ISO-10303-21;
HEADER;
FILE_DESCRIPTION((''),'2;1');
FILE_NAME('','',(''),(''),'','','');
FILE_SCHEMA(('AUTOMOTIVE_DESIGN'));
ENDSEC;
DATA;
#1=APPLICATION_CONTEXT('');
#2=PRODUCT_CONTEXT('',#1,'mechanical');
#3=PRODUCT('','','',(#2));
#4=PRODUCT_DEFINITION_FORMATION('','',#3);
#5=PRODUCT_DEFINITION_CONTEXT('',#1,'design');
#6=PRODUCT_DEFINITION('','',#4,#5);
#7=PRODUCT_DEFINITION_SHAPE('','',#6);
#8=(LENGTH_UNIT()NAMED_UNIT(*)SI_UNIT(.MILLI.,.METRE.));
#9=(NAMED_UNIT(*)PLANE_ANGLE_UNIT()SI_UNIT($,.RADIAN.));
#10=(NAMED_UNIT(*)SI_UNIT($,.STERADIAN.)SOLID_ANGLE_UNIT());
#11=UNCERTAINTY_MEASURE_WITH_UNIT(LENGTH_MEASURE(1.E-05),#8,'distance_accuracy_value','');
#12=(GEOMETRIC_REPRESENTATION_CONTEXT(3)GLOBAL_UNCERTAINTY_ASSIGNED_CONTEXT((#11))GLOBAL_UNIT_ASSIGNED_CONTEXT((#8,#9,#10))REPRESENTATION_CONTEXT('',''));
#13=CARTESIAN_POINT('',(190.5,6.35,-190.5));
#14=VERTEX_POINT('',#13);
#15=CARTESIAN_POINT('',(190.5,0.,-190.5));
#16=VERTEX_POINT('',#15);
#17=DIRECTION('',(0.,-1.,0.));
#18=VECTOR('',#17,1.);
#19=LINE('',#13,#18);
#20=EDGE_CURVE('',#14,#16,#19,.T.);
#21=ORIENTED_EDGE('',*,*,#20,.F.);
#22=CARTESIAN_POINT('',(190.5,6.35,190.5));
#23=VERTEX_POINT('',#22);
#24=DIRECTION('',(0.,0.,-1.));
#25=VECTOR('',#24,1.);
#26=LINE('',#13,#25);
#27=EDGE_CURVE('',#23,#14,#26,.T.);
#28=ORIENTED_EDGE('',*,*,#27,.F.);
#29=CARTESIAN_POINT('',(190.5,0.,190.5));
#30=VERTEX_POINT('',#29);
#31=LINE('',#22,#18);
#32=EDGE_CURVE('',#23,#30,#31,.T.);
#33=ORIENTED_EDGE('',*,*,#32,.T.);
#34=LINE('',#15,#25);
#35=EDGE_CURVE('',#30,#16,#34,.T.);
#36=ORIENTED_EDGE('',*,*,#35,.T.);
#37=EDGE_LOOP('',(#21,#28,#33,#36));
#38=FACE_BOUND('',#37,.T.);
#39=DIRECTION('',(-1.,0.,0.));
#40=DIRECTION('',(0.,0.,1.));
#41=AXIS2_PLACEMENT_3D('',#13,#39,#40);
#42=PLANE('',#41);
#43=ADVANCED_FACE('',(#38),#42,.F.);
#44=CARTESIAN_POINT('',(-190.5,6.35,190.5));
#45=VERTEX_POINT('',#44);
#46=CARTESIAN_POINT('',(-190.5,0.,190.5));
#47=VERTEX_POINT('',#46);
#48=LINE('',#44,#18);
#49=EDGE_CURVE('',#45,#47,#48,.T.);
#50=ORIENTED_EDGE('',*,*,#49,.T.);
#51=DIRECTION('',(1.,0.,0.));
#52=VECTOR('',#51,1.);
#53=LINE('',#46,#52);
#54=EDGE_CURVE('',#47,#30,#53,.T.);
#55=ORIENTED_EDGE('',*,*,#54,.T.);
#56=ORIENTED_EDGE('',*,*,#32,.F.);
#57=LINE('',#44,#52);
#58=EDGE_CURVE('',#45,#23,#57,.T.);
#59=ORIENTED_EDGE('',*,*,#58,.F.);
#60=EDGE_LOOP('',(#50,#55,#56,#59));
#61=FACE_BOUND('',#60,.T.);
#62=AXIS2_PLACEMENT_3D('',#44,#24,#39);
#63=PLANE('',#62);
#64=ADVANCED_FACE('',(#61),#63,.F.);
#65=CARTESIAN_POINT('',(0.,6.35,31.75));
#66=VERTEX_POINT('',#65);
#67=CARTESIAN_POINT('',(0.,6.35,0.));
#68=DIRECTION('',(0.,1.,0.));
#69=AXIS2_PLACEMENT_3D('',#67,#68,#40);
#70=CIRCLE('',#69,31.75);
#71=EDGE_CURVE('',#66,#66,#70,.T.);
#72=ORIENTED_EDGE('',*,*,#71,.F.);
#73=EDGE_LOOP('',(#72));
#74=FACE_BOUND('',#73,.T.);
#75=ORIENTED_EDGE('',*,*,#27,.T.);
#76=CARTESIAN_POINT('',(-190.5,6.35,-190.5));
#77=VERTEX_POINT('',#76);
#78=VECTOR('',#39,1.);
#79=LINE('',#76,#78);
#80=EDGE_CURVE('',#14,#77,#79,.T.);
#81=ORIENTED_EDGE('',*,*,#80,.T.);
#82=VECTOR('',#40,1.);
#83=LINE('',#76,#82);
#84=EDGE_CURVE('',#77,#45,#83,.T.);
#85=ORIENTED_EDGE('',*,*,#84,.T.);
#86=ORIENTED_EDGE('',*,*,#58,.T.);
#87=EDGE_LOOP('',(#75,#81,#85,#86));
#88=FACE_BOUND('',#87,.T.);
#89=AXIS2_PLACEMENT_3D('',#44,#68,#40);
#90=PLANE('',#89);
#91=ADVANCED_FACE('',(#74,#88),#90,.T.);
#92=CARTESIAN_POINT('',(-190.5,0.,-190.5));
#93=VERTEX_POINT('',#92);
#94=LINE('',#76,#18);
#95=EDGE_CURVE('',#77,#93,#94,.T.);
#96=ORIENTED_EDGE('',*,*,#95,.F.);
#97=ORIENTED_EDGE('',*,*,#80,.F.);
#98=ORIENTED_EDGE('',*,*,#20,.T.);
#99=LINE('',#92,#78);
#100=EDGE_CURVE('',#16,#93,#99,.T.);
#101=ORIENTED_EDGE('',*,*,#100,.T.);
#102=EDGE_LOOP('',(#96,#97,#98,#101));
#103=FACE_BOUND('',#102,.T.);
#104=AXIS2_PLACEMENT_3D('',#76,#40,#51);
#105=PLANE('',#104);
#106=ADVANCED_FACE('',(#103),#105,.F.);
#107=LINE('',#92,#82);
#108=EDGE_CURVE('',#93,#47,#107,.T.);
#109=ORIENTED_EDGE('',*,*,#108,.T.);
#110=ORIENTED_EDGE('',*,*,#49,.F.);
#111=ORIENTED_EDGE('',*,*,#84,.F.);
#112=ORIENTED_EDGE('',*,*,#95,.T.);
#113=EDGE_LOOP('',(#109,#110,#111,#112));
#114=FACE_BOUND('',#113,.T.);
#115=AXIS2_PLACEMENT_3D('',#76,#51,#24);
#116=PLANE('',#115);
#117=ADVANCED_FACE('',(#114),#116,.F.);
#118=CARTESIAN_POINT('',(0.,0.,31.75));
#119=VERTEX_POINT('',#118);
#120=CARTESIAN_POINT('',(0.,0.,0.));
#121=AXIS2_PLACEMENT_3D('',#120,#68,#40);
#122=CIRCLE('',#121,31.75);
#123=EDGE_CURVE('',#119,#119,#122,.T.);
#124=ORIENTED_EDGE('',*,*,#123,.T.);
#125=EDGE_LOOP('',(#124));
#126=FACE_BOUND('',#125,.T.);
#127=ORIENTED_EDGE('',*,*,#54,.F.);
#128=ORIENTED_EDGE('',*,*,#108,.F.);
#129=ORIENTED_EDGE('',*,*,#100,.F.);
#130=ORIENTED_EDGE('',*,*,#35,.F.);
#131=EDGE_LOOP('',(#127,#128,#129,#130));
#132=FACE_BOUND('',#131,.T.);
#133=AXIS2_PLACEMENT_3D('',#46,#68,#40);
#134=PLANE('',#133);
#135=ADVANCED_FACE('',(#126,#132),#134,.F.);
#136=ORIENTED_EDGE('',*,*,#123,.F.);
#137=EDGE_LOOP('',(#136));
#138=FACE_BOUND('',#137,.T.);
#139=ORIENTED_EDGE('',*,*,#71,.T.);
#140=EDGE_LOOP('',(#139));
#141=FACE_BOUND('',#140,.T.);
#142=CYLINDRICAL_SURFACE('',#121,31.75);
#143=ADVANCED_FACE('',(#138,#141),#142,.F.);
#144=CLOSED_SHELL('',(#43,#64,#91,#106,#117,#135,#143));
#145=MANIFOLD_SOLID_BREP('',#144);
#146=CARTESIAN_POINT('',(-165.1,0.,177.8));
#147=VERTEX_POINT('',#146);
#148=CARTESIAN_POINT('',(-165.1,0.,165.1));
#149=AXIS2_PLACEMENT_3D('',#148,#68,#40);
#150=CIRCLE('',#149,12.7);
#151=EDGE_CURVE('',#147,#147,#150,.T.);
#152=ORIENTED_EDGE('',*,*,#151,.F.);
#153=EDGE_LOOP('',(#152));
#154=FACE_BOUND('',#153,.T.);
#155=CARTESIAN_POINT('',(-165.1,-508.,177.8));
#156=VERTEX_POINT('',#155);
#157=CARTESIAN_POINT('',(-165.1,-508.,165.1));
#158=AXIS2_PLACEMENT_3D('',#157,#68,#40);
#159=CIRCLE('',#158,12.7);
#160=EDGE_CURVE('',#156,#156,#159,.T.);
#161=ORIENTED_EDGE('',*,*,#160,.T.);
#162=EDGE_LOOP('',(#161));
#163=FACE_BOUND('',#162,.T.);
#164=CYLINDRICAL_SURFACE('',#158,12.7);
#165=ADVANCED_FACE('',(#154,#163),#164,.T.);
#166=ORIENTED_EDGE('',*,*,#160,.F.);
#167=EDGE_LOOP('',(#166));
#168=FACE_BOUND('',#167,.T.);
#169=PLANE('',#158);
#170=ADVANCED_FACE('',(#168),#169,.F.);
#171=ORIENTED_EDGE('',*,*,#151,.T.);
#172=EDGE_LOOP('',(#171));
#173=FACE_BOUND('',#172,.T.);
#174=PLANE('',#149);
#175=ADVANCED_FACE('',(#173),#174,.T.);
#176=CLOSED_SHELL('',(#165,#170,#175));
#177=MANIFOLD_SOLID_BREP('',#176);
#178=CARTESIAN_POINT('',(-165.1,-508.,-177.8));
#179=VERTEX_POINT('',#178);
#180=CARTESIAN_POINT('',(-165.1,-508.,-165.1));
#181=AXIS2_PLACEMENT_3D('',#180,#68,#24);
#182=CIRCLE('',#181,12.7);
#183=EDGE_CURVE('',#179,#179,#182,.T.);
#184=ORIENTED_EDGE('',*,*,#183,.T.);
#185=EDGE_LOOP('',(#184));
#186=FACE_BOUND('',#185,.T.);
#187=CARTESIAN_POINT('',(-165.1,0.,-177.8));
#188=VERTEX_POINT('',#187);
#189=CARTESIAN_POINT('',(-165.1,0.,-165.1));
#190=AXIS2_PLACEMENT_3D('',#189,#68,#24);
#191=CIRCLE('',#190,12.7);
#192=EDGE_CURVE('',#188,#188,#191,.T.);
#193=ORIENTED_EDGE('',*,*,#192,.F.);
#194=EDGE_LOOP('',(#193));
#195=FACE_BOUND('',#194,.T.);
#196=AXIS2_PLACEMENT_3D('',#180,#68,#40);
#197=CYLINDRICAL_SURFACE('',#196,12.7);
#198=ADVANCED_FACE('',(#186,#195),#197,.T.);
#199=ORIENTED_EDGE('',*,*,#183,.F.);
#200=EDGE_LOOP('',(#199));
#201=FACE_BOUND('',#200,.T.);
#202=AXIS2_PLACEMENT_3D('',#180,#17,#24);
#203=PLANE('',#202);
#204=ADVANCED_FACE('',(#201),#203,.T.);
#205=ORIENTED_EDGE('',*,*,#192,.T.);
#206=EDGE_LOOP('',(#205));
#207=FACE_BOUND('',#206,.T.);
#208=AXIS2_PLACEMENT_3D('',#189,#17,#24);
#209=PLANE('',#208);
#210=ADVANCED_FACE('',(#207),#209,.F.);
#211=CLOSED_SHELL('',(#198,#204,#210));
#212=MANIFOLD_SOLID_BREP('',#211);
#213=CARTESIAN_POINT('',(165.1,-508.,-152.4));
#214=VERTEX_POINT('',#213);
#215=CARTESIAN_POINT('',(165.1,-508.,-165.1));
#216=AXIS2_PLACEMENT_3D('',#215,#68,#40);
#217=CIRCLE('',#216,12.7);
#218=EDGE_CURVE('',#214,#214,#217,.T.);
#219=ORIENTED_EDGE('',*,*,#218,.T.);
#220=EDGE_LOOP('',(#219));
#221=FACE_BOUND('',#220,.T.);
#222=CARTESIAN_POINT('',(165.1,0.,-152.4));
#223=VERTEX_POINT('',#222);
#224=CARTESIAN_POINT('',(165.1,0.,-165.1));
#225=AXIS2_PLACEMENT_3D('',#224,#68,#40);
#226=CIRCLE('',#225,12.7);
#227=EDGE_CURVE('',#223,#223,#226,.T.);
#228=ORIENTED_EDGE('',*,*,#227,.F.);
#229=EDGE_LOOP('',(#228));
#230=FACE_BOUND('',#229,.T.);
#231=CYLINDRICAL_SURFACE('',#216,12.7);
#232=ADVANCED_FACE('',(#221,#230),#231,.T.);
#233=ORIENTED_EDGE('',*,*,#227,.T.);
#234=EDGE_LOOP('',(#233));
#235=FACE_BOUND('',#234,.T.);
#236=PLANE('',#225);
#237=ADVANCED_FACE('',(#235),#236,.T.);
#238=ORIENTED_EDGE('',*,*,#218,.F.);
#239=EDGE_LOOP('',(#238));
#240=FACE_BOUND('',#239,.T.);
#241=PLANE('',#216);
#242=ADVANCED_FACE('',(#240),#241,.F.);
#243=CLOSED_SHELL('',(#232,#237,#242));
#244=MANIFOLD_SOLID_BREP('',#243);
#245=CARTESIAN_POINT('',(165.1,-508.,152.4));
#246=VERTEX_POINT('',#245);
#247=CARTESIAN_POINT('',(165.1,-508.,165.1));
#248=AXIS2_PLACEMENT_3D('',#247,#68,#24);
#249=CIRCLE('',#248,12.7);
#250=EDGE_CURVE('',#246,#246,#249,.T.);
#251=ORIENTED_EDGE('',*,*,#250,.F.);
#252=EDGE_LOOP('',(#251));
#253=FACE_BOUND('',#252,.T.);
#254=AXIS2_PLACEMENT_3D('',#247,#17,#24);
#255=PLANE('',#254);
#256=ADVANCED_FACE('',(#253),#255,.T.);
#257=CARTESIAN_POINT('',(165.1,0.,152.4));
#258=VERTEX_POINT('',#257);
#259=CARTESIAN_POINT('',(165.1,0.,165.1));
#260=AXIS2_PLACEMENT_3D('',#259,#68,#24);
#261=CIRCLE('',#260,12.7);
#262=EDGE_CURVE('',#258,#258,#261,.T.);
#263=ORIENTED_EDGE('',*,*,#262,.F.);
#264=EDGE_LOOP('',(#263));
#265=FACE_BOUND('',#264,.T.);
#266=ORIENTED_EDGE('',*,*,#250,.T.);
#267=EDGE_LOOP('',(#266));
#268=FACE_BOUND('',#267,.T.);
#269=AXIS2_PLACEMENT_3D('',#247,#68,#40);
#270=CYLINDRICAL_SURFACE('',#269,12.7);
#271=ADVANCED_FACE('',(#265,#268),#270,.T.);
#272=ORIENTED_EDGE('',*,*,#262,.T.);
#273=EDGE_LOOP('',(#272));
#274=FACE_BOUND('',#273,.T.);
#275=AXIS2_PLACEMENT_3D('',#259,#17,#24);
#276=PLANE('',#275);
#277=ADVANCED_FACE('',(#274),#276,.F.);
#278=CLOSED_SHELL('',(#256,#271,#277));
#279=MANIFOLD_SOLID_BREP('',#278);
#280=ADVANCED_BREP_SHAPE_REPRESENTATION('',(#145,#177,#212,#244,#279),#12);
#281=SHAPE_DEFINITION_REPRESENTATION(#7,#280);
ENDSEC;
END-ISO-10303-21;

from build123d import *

# Parameters (mm, degrees)
SKETCH1_W        = 381
SKETCH1_H        = 381
EXTRUDE1_DEPTH   = 6.35
SKETCH2_R        = 31.75
EXTRUDE2_DEPTH   = 7.35
SKETCH3_R        = 12.7
EXTRUDE3_DEPTH   = 508
EXTRUDE3_2_DEPTH = 508
EXTRUDE3_3_DEPTH = 508
EXTRUDE3_4_DEPTH = 508


with BuildPart() as part:
    # Sketch1 → Extrude1 (new body)
    with BuildSketch(Plane(origin=(0, 0, 0), x_dir=(1, 0, 0), z_dir=(0, 1, 0))):
        Rectangle(SKETCH1_W, SKETCH1_H)
    extrude(amount=EXTRUDE1_DEPTH)

    # Sketch2 → Extrude2 (cut, through all)
    with BuildSketch(Plane(origin=(0, 6.35, 0), x_dir=(-1, 0, 0), z_dir=(0, 1, 0))):
        Circle(SKETCH2_R)
    extrude(amount=-EXTRUDE2_DEPTH, mode=Mode.SUBTRACT)


with BuildPart() as body_2:
    # Sketch3 → Extrude3 (new body)
    with BuildSketch(Plane(origin=(0, 0, 0), x_dir=(1, 0, 0), z_dir=(0, 1, 0))):
        with Locations((165.1, 165.1)):
            Circle(SKETCH3_R)
    extrude(amount=-EXTRUDE3_DEPTH)


with BuildPart() as body_3:
    # Sketch3 → Extrude3 2 (new body)
    with BuildSketch(Plane(origin=(0, 0, 0), x_dir=(1, 0, 0), z_dir=(0, 1, 0))):
        with Locations((-165.1, 165.1)):
            Circle(SKETCH3_R)
    extrude(amount=-EXTRUDE3_2_DEPTH)


with BuildPart() as body_4:
    # Sketch3 → Extrude3 3 (new body)
    with BuildSketch(Plane(origin=(0, 0, 0), x_dir=(1, 0, 0), z_dir=(0, 1, 0))):
        with Locations((165.1, -165.1)):
            Circle(SKETCH3_R)
    extrude(amount=-EXTRUDE3_3_DEPTH)


with BuildPart() as body_5:
    # Sketch3 → Extrude3 4 (new body)
    with BuildSketch(Plane(origin=(0, 0, 0), x_dir=(1, 0, 0), z_dir=(0, 1, 0))):
        with Locations((-165.1, -165.1)):
            Circle(SKETCH3_R)
    extrude(amount=-EXTRUDE3_4_DEPTH)


solid = Compound([part.part, body_2.part, body_3.part, body_4.part, body_5.part])
